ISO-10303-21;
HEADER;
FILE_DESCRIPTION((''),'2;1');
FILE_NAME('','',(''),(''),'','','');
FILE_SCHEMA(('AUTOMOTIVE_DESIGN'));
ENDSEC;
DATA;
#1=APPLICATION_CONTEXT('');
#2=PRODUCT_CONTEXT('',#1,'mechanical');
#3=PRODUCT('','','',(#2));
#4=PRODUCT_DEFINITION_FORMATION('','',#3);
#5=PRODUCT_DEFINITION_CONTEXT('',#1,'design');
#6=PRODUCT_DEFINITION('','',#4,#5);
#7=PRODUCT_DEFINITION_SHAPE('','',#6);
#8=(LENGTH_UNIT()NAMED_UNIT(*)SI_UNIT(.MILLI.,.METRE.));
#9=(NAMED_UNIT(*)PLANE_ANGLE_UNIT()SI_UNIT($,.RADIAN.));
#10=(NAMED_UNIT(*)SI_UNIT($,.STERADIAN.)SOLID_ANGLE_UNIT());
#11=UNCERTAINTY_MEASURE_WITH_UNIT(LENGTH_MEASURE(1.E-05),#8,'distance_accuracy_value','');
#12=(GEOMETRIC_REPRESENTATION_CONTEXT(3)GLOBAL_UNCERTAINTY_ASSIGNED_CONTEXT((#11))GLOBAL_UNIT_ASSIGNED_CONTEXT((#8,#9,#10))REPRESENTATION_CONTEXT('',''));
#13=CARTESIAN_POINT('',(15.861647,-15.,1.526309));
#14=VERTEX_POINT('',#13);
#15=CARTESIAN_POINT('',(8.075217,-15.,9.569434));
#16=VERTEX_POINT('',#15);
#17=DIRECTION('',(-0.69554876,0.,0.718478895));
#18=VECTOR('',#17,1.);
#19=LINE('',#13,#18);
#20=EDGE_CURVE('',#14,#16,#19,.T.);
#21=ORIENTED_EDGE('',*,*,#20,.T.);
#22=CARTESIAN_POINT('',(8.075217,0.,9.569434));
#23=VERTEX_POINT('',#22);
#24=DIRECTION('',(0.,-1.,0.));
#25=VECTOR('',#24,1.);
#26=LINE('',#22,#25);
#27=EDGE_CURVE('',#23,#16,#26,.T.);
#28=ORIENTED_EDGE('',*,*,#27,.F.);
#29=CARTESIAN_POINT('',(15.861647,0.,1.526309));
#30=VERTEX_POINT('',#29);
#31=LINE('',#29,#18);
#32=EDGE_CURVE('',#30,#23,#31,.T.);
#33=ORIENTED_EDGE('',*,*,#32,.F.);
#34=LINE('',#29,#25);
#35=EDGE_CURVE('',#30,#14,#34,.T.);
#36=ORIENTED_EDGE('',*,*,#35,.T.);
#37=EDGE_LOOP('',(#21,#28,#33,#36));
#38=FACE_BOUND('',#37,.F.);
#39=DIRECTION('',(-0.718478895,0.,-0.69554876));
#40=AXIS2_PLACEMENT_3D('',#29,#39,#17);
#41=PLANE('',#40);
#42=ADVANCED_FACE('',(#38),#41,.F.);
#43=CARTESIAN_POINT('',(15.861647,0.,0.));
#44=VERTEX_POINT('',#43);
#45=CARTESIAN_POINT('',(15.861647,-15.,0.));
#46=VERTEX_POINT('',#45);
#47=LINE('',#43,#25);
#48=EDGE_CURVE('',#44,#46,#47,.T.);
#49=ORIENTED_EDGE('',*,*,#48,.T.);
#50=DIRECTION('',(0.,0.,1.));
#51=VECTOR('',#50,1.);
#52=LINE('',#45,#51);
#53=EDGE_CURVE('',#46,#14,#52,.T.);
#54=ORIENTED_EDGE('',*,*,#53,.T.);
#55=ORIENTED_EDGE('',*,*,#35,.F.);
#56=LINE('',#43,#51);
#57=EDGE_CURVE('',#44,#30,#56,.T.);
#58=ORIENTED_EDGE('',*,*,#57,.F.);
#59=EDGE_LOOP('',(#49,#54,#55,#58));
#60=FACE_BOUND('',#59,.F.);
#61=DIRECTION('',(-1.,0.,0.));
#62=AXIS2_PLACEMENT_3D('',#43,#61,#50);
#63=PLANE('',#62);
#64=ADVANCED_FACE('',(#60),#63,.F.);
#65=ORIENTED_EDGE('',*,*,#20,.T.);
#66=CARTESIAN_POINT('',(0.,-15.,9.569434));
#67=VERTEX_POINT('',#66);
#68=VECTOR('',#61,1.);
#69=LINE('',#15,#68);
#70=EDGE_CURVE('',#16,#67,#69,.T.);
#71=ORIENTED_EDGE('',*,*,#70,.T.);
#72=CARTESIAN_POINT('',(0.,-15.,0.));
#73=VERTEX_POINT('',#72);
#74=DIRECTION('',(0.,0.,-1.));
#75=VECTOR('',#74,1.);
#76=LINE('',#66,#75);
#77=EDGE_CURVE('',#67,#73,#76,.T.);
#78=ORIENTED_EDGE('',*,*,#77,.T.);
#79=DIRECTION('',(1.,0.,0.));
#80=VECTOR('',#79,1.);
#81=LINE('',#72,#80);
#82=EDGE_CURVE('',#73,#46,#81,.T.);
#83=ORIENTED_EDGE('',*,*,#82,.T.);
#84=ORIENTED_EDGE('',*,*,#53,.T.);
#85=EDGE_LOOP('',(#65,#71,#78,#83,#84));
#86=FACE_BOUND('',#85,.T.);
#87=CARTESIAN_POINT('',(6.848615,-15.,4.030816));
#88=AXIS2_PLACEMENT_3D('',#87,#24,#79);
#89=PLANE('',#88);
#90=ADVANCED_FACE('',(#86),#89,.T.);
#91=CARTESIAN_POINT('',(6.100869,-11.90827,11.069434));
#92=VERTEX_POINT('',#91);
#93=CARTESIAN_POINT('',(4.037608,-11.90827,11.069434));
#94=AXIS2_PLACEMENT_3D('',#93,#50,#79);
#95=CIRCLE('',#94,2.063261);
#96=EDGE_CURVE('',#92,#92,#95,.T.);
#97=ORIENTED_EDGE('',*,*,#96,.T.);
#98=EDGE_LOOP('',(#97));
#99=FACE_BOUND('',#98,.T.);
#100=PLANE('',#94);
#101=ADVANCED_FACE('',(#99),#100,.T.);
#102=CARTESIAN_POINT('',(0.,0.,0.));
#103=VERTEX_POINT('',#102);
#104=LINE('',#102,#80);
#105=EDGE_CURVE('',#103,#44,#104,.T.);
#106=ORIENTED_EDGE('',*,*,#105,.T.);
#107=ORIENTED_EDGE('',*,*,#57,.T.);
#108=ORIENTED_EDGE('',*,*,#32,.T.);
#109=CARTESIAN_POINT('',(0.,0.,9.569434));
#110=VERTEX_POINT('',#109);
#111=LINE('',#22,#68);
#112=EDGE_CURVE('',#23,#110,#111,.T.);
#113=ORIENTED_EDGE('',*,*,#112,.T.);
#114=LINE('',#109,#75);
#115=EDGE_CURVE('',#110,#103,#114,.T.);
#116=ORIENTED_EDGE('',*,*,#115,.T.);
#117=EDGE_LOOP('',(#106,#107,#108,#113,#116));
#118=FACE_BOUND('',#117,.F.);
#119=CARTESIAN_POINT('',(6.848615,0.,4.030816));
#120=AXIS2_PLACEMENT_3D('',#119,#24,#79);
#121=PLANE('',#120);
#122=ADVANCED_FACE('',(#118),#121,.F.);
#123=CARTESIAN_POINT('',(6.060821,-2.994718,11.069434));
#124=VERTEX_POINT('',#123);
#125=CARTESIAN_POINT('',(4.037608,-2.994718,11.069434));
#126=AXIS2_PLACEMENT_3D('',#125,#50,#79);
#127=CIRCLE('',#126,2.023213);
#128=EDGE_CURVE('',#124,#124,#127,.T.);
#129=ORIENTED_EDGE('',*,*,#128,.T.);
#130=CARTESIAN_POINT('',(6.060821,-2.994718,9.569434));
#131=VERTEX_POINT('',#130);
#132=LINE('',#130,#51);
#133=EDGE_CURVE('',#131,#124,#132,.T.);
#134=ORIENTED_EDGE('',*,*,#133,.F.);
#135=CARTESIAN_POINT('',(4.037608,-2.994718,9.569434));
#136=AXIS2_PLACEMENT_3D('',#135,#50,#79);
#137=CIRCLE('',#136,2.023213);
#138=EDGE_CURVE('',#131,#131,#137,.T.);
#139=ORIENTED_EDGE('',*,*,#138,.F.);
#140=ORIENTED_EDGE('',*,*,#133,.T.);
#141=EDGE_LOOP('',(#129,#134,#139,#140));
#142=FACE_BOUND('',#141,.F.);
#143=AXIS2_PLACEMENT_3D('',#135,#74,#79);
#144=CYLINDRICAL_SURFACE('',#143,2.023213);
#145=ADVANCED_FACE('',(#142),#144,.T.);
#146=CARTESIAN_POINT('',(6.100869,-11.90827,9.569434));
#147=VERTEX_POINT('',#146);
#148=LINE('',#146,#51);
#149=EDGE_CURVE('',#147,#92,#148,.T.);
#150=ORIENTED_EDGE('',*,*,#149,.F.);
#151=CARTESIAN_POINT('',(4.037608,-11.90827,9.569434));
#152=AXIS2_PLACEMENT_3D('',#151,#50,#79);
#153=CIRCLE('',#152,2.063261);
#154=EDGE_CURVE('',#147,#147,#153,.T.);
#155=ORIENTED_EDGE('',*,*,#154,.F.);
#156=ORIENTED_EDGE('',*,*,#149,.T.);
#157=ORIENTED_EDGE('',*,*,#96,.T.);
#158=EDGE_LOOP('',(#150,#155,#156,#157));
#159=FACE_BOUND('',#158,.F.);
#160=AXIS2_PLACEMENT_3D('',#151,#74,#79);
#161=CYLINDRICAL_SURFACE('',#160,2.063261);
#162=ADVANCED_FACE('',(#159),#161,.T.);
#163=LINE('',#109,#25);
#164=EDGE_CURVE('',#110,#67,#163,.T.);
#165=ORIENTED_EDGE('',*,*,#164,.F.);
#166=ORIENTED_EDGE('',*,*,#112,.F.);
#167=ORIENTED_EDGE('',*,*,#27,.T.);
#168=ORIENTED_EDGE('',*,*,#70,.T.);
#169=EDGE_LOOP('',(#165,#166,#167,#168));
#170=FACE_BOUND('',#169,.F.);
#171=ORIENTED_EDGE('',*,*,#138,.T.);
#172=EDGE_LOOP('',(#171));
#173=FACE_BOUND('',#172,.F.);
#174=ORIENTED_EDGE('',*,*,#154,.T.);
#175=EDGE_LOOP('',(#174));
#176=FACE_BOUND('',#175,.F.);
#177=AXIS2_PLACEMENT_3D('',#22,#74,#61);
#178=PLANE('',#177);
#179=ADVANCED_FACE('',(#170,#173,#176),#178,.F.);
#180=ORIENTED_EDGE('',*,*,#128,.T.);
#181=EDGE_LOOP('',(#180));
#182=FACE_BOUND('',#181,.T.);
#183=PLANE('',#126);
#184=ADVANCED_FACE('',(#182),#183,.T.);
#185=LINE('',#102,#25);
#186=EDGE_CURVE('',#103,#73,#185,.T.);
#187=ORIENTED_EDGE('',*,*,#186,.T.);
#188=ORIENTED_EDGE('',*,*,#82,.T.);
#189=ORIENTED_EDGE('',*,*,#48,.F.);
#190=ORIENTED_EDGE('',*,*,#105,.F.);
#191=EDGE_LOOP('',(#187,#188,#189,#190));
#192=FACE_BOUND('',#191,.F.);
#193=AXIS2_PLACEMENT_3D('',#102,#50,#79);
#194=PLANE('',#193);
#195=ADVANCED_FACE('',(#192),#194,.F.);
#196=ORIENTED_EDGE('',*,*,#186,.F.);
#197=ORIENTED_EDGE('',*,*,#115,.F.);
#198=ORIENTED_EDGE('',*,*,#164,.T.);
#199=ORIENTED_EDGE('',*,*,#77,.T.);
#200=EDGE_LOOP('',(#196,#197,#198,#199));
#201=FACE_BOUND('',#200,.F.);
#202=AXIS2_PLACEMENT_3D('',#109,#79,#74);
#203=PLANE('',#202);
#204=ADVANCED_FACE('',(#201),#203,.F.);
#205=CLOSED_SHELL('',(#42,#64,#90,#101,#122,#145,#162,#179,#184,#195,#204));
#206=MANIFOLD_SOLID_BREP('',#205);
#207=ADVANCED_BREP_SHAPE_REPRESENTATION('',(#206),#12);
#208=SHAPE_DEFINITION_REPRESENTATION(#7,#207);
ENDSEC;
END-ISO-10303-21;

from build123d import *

# Parameters (mm, degrees)
F1_DEPTH = 15
F2_R     = 2.063261
F2_R_2   = 2.023213
F3_DEPTH = 1.5


with BuildPart() as f1:
    # F0 (on Front) → F1 (new body)
    with BuildSketch(Plane.XZ):
        Polygon((0, 9.569434), (0, 0), (15.861647, 0), (15.861647, 1.526309), (8.075217, 9.569434), align=None)
    extrude(amount=F1_DEPTH)

    # F2 (on face) → F3 (join)
    with BuildSketch(Plane.XY.offset(9.569434)):
        with Locations((4.037608, -11.90827)):
            Circle(F2_R)
        with Locations((4.037608, -2.994718)):
            Circle(F2_R_2)
    extrude(amount=F3_DEPTH)


solid = f1.part
